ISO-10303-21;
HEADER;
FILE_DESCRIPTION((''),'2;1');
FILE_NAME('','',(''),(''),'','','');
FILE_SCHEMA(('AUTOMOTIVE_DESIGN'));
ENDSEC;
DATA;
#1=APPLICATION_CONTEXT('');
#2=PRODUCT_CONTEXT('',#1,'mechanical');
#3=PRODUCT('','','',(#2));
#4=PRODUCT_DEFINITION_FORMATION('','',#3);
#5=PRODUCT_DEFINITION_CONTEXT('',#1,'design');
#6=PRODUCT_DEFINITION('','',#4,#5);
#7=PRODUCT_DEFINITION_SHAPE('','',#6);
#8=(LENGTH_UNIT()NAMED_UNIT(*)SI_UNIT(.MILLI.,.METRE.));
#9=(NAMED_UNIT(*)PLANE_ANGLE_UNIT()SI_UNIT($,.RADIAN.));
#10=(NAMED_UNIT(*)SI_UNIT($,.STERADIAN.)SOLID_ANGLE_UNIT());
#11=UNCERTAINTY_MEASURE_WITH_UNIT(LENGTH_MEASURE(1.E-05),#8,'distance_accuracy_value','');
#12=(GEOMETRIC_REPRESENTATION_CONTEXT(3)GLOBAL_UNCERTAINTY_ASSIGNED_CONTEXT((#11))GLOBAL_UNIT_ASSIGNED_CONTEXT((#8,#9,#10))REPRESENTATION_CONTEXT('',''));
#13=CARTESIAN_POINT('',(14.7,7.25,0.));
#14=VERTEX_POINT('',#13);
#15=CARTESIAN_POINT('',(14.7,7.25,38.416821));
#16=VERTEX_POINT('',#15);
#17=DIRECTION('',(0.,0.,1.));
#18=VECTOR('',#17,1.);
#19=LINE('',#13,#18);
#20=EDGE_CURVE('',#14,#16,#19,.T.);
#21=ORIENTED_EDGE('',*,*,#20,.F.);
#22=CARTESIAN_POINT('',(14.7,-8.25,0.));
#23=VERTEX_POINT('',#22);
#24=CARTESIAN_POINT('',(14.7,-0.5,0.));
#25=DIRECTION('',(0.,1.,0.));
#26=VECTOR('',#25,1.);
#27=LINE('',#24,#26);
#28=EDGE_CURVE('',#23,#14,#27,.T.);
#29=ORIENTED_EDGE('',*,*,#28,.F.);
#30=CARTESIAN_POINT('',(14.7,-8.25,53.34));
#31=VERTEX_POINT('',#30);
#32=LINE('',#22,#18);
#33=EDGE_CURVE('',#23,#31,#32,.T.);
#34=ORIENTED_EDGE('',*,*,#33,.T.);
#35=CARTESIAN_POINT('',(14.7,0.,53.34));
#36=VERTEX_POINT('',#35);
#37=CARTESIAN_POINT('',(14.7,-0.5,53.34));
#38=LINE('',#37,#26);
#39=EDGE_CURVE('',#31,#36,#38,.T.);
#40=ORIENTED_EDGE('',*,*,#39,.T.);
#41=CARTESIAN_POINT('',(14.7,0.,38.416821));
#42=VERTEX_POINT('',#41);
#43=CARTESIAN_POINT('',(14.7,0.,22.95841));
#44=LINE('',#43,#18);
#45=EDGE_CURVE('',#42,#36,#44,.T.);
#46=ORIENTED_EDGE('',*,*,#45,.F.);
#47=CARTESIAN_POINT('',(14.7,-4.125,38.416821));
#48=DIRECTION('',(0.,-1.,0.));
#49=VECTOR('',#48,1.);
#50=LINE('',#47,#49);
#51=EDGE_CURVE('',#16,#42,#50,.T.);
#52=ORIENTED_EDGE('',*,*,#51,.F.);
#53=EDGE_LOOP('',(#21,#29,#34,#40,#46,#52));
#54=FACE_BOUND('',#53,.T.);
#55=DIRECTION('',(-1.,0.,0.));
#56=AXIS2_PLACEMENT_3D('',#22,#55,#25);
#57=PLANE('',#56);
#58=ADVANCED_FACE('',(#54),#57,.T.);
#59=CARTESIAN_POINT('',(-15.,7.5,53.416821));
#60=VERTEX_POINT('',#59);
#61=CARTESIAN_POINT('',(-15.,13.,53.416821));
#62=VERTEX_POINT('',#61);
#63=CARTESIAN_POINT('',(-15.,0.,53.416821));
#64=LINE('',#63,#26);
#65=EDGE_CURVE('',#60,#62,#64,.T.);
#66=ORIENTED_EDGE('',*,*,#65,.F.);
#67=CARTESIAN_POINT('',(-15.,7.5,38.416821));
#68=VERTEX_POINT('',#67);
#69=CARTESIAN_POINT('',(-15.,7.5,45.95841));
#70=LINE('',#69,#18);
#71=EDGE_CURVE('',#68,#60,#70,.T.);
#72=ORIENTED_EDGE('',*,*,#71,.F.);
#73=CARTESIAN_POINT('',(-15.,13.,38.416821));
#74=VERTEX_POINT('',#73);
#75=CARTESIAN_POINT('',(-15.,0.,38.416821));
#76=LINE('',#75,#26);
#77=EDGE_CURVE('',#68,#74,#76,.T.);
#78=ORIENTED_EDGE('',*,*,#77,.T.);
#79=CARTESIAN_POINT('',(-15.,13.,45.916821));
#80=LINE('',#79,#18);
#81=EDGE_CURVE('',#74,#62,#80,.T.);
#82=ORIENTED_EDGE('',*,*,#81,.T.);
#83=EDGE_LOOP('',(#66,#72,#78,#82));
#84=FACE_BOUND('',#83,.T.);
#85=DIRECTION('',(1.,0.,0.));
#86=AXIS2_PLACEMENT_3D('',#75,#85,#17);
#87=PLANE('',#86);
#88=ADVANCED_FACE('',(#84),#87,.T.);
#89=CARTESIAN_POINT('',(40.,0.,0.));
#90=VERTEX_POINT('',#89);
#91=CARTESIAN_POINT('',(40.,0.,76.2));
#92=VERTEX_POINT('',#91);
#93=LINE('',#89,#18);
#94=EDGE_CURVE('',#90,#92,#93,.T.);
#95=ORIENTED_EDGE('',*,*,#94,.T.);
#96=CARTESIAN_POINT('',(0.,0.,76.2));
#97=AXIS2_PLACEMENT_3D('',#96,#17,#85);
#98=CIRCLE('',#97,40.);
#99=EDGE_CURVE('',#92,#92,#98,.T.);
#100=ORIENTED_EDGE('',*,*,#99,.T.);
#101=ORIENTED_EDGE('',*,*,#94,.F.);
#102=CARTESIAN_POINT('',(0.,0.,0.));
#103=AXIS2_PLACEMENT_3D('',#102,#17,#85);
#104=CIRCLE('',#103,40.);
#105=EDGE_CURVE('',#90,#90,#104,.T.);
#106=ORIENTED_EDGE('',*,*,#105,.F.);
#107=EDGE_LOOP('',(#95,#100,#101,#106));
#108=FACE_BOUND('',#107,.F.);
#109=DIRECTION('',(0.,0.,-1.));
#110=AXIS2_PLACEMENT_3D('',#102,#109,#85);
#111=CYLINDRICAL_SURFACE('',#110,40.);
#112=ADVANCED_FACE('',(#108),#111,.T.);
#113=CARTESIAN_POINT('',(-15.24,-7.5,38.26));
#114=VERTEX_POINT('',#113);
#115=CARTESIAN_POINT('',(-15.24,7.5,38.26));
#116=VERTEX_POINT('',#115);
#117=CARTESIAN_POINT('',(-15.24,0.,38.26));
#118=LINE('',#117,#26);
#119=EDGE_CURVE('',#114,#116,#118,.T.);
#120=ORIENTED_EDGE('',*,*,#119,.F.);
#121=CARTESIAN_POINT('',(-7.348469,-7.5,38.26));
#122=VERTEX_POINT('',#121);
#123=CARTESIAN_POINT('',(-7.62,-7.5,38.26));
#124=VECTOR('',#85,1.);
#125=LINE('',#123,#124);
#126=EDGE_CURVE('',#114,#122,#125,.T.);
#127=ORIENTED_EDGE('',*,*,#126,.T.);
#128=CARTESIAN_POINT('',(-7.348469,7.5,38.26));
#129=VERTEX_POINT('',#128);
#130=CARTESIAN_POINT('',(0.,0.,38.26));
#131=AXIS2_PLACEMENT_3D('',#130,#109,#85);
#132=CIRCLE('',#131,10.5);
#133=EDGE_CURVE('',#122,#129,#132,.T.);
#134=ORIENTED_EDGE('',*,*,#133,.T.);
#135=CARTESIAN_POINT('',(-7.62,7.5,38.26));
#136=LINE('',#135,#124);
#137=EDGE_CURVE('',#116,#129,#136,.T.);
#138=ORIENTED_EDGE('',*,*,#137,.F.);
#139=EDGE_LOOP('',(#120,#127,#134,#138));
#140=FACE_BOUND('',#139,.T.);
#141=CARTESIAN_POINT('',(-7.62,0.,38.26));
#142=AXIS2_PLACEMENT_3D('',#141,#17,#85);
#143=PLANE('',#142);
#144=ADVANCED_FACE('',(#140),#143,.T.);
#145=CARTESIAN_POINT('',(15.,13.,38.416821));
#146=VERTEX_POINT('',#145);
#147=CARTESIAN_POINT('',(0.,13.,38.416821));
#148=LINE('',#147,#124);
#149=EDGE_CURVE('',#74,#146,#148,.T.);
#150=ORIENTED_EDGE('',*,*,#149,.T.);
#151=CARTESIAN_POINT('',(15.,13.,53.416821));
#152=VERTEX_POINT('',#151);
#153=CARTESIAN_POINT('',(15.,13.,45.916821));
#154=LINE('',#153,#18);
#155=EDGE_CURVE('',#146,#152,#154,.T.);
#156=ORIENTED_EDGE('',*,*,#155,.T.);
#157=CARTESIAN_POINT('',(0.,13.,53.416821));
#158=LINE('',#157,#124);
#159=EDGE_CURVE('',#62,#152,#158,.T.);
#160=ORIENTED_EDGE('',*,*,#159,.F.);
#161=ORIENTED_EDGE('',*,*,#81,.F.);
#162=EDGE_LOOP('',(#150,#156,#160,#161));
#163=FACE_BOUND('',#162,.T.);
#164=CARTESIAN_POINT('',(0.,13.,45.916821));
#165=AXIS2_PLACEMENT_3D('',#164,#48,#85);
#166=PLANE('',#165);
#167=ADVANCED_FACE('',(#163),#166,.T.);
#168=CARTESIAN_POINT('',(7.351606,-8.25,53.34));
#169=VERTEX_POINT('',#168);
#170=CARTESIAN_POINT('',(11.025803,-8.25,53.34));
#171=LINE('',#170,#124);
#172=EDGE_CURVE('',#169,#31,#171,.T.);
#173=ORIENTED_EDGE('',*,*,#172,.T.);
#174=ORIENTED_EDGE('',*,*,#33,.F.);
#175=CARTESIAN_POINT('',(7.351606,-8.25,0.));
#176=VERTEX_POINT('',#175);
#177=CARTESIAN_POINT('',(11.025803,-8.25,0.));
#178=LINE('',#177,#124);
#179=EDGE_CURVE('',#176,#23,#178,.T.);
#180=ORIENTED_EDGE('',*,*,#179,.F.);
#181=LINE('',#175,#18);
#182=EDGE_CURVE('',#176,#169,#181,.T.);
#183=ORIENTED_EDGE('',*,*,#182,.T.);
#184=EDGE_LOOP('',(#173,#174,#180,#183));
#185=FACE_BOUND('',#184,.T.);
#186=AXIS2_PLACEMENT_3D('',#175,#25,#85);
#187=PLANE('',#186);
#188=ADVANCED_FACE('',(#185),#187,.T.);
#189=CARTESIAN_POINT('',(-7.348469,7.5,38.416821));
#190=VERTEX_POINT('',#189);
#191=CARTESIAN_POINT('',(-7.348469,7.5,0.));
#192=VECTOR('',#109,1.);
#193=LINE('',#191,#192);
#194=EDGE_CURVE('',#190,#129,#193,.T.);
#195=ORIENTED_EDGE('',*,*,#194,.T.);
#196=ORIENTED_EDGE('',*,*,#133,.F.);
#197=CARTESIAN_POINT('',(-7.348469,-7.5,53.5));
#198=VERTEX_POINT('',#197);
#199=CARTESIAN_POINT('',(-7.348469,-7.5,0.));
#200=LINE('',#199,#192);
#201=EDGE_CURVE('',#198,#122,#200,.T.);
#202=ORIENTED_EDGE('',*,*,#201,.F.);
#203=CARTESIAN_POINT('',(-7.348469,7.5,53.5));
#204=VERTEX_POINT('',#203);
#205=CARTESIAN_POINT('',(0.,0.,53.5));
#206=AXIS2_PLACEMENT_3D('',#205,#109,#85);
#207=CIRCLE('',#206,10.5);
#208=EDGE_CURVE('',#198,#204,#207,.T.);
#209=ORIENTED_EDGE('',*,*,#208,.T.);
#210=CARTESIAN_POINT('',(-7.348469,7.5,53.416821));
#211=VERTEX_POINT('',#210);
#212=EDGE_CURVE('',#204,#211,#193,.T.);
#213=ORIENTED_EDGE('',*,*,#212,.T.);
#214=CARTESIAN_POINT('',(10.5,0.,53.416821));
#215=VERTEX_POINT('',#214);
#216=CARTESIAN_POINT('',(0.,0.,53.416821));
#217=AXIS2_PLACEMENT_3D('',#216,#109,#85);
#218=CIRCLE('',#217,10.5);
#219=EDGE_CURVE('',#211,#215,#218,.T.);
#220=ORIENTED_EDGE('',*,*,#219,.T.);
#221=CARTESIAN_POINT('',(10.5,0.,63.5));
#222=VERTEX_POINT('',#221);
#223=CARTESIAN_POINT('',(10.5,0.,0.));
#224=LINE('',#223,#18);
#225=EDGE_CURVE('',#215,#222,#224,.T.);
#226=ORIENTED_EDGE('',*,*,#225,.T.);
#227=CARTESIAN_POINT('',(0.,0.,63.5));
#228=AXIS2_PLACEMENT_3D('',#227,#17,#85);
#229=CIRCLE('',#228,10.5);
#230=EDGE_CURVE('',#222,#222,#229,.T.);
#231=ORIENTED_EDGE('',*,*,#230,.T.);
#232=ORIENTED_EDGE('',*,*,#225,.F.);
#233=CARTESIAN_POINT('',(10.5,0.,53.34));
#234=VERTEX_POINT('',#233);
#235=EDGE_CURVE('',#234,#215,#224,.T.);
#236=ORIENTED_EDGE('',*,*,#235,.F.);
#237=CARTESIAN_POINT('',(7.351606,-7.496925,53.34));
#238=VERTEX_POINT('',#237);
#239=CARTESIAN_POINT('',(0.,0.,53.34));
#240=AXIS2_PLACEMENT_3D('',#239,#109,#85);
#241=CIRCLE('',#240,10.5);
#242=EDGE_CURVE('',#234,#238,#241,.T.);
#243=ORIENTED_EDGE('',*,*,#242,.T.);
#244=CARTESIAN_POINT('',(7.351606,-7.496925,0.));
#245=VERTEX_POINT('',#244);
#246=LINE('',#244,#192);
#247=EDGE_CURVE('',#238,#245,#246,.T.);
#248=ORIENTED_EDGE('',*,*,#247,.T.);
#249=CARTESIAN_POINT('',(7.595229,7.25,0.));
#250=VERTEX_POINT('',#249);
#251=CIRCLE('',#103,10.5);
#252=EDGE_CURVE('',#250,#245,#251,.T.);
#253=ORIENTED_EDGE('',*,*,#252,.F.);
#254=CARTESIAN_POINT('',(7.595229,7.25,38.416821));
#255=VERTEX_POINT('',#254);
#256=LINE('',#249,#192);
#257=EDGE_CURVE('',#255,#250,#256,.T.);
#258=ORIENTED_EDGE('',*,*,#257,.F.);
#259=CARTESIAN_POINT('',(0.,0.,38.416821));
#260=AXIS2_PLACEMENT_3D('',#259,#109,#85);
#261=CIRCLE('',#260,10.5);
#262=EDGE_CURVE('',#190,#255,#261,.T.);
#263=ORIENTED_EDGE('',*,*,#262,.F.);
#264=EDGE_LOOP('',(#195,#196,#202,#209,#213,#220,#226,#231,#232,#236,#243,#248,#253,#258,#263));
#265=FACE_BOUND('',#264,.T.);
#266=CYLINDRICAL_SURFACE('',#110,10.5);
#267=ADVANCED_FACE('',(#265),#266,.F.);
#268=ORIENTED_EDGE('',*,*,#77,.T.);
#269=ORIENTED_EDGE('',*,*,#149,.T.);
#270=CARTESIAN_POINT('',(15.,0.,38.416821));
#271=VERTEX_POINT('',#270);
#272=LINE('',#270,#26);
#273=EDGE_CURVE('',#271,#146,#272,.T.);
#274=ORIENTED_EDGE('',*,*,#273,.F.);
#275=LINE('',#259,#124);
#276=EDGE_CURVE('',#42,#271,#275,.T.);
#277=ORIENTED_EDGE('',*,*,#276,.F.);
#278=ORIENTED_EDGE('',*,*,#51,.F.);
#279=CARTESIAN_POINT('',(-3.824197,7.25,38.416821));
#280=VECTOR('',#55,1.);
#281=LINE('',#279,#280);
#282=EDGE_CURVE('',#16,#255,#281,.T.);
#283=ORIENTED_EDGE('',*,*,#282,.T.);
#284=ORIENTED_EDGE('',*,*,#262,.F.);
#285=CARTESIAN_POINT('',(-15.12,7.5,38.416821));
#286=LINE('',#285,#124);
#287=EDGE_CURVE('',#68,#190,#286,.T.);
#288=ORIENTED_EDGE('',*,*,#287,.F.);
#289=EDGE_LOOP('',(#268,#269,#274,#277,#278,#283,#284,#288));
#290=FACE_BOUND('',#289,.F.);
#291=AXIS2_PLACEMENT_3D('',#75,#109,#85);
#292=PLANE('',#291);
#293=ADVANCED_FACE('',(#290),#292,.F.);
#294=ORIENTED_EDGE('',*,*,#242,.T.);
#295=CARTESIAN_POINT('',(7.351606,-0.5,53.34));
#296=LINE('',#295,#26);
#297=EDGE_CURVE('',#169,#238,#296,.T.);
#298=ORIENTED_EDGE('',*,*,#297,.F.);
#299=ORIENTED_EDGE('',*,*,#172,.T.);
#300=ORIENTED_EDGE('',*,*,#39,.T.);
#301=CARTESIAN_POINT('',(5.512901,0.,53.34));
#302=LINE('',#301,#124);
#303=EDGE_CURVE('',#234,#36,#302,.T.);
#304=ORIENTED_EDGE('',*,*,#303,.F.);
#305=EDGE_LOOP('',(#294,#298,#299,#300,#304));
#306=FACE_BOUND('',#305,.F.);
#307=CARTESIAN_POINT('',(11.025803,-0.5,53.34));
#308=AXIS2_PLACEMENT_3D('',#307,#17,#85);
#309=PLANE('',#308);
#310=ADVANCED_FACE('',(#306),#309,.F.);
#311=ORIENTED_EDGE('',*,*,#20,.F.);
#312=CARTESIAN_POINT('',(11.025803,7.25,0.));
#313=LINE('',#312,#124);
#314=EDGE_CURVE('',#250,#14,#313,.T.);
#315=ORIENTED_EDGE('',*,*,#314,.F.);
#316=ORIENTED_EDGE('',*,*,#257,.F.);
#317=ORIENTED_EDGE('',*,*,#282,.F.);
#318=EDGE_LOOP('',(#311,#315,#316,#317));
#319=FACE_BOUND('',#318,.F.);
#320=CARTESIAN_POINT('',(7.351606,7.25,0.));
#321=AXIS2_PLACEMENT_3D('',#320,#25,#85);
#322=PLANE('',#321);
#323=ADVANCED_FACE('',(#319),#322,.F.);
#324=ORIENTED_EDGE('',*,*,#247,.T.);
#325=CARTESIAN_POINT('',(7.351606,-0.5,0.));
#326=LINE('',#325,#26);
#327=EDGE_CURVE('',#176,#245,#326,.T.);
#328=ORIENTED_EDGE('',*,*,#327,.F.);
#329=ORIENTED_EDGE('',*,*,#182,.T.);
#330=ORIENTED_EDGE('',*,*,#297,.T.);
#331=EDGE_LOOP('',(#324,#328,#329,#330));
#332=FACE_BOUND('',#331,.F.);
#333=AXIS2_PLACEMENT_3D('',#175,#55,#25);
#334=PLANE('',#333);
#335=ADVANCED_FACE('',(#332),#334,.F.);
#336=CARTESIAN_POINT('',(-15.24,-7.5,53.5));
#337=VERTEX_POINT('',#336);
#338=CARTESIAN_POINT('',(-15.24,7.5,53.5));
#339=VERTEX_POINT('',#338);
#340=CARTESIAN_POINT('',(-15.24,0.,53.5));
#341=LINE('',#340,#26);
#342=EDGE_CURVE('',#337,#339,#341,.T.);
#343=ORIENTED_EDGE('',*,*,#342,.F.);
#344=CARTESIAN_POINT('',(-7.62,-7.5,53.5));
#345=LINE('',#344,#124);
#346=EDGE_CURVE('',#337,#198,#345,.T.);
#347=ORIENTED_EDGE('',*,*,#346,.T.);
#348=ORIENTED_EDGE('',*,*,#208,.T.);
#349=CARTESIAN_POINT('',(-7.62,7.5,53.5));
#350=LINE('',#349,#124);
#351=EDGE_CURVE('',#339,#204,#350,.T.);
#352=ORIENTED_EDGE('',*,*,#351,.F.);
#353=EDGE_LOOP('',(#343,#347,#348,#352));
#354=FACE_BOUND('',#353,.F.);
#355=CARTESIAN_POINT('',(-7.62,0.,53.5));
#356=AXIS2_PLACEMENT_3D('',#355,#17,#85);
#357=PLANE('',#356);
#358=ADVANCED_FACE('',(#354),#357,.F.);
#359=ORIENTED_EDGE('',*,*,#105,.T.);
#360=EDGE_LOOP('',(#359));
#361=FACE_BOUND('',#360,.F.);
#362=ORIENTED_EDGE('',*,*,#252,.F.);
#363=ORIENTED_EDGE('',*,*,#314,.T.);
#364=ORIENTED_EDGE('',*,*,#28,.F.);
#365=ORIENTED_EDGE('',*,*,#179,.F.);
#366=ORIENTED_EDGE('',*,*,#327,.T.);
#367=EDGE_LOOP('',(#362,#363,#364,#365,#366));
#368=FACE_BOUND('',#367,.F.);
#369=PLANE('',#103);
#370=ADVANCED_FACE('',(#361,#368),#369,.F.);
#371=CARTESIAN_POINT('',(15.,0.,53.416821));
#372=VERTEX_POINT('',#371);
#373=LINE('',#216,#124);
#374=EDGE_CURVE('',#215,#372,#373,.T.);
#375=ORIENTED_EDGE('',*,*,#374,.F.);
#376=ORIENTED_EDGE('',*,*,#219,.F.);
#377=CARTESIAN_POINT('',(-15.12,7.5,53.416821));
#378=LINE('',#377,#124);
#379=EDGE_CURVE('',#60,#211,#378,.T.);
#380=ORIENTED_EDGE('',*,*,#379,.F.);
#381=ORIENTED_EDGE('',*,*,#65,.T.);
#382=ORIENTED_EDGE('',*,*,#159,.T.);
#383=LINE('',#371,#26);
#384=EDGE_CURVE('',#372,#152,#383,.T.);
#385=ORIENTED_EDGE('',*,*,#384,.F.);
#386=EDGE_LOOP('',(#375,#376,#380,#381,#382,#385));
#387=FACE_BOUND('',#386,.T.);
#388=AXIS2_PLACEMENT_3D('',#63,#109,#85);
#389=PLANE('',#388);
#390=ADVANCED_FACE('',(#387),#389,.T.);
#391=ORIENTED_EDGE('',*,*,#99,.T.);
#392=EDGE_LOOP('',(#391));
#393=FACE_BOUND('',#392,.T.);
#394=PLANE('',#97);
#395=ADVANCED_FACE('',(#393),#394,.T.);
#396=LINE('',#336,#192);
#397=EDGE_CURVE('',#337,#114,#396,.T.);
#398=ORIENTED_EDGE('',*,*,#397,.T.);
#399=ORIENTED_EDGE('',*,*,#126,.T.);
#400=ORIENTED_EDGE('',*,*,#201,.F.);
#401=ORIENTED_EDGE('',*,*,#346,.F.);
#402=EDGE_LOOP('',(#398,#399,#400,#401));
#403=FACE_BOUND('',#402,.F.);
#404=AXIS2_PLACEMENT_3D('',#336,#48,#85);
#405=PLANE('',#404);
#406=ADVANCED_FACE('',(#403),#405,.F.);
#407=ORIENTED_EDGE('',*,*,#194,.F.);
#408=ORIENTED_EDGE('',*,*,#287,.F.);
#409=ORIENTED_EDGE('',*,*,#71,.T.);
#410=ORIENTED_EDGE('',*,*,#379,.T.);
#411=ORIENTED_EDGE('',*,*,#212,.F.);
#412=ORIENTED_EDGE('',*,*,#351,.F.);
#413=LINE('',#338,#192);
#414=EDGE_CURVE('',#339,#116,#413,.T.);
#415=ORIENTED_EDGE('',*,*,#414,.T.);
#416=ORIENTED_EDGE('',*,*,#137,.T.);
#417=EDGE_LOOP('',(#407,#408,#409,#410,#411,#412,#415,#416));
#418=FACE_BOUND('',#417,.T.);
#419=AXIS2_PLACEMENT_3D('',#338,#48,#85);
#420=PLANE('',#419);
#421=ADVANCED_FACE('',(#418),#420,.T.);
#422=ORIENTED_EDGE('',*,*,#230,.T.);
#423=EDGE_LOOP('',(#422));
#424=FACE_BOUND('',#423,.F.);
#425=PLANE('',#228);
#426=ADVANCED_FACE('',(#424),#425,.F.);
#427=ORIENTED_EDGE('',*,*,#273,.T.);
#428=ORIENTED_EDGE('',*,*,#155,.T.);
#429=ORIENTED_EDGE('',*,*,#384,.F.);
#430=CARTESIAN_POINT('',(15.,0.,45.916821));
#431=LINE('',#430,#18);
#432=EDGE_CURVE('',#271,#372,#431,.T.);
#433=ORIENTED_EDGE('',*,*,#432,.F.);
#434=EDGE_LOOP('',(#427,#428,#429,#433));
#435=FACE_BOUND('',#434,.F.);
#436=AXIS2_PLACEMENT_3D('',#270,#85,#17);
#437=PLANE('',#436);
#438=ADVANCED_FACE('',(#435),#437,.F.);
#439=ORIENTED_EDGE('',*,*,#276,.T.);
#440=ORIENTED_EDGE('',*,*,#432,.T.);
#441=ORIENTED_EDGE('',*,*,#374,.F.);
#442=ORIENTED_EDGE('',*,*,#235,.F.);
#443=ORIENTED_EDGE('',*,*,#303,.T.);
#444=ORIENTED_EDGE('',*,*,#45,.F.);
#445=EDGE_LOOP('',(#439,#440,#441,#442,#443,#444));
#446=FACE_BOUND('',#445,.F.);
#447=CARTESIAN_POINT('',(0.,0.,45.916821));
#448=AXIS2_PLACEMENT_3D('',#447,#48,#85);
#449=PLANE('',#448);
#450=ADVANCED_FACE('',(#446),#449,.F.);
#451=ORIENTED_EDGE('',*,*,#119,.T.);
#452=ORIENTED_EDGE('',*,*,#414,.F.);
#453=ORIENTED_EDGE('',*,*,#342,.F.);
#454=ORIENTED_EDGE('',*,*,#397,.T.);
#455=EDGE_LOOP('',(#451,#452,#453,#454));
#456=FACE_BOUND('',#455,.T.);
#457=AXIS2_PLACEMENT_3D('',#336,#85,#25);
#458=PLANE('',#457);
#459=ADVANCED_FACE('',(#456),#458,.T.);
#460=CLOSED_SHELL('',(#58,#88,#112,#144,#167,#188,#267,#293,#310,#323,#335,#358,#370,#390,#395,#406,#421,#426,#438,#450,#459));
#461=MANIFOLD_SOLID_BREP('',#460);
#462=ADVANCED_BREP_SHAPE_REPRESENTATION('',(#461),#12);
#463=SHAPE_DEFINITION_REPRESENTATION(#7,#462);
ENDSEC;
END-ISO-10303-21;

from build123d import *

# Parameters (mm, degrees)
F0_R      = 40
F1_DEPTH  = 76.2
F2_R      = 10.5
F3_DEPTH  = 63.5
F4_W      = 7.348393
F4_H      = 15.5
F5_DEPTH  = 53.34
F7_W      = 15.24
F7_H      = 15
F8_DEPTH  = 15.24
F9_W      = 30
F9_H      = 15
F10_DEPTH = 13


with BuildPart() as f1:
    # F0 (on Top) → F1 (new body)
    with BuildSketch(Plane.XY):
        Circle(F0_R)
    extrude(amount=F1_DEPTH)

    # F2 (on Top) → F3 (cut)
    with BuildSketch(Plane.XY):
        Circle(F2_R)
    extrude(amount=F3_DEPTH, mode=Mode.SUBTRACT)

    # F4 (on Top) → F5 (cut)
    with BuildSketch(Plane.XY):
        with Locations((11.025803, -0.5)):
            Rectangle(F4_W, F4_H)
    extrude(amount=F5_DEPTH, mode=Mode.SUBTRACT)

    # F7 (on offset) → F8 (cut)
    with BuildSketch(Plane.XY.offset(53.5)):
        with Locations((-7.62, 0)):
            Rectangle(F7_W, F7_H)
    extrude(amount=-F8_DEPTH, mode=Mode.SUBTRACT)

    # F9 (on Front) → F10 (cut)
    with BuildSketch(Plane.XZ):
        with Locations((0, 45.916821)):
            Rectangle(F9_W, F9_H)
    extrude(amount=-F10_DEPTH, mode=Mode.SUBTRACT)


solid = f1.part
